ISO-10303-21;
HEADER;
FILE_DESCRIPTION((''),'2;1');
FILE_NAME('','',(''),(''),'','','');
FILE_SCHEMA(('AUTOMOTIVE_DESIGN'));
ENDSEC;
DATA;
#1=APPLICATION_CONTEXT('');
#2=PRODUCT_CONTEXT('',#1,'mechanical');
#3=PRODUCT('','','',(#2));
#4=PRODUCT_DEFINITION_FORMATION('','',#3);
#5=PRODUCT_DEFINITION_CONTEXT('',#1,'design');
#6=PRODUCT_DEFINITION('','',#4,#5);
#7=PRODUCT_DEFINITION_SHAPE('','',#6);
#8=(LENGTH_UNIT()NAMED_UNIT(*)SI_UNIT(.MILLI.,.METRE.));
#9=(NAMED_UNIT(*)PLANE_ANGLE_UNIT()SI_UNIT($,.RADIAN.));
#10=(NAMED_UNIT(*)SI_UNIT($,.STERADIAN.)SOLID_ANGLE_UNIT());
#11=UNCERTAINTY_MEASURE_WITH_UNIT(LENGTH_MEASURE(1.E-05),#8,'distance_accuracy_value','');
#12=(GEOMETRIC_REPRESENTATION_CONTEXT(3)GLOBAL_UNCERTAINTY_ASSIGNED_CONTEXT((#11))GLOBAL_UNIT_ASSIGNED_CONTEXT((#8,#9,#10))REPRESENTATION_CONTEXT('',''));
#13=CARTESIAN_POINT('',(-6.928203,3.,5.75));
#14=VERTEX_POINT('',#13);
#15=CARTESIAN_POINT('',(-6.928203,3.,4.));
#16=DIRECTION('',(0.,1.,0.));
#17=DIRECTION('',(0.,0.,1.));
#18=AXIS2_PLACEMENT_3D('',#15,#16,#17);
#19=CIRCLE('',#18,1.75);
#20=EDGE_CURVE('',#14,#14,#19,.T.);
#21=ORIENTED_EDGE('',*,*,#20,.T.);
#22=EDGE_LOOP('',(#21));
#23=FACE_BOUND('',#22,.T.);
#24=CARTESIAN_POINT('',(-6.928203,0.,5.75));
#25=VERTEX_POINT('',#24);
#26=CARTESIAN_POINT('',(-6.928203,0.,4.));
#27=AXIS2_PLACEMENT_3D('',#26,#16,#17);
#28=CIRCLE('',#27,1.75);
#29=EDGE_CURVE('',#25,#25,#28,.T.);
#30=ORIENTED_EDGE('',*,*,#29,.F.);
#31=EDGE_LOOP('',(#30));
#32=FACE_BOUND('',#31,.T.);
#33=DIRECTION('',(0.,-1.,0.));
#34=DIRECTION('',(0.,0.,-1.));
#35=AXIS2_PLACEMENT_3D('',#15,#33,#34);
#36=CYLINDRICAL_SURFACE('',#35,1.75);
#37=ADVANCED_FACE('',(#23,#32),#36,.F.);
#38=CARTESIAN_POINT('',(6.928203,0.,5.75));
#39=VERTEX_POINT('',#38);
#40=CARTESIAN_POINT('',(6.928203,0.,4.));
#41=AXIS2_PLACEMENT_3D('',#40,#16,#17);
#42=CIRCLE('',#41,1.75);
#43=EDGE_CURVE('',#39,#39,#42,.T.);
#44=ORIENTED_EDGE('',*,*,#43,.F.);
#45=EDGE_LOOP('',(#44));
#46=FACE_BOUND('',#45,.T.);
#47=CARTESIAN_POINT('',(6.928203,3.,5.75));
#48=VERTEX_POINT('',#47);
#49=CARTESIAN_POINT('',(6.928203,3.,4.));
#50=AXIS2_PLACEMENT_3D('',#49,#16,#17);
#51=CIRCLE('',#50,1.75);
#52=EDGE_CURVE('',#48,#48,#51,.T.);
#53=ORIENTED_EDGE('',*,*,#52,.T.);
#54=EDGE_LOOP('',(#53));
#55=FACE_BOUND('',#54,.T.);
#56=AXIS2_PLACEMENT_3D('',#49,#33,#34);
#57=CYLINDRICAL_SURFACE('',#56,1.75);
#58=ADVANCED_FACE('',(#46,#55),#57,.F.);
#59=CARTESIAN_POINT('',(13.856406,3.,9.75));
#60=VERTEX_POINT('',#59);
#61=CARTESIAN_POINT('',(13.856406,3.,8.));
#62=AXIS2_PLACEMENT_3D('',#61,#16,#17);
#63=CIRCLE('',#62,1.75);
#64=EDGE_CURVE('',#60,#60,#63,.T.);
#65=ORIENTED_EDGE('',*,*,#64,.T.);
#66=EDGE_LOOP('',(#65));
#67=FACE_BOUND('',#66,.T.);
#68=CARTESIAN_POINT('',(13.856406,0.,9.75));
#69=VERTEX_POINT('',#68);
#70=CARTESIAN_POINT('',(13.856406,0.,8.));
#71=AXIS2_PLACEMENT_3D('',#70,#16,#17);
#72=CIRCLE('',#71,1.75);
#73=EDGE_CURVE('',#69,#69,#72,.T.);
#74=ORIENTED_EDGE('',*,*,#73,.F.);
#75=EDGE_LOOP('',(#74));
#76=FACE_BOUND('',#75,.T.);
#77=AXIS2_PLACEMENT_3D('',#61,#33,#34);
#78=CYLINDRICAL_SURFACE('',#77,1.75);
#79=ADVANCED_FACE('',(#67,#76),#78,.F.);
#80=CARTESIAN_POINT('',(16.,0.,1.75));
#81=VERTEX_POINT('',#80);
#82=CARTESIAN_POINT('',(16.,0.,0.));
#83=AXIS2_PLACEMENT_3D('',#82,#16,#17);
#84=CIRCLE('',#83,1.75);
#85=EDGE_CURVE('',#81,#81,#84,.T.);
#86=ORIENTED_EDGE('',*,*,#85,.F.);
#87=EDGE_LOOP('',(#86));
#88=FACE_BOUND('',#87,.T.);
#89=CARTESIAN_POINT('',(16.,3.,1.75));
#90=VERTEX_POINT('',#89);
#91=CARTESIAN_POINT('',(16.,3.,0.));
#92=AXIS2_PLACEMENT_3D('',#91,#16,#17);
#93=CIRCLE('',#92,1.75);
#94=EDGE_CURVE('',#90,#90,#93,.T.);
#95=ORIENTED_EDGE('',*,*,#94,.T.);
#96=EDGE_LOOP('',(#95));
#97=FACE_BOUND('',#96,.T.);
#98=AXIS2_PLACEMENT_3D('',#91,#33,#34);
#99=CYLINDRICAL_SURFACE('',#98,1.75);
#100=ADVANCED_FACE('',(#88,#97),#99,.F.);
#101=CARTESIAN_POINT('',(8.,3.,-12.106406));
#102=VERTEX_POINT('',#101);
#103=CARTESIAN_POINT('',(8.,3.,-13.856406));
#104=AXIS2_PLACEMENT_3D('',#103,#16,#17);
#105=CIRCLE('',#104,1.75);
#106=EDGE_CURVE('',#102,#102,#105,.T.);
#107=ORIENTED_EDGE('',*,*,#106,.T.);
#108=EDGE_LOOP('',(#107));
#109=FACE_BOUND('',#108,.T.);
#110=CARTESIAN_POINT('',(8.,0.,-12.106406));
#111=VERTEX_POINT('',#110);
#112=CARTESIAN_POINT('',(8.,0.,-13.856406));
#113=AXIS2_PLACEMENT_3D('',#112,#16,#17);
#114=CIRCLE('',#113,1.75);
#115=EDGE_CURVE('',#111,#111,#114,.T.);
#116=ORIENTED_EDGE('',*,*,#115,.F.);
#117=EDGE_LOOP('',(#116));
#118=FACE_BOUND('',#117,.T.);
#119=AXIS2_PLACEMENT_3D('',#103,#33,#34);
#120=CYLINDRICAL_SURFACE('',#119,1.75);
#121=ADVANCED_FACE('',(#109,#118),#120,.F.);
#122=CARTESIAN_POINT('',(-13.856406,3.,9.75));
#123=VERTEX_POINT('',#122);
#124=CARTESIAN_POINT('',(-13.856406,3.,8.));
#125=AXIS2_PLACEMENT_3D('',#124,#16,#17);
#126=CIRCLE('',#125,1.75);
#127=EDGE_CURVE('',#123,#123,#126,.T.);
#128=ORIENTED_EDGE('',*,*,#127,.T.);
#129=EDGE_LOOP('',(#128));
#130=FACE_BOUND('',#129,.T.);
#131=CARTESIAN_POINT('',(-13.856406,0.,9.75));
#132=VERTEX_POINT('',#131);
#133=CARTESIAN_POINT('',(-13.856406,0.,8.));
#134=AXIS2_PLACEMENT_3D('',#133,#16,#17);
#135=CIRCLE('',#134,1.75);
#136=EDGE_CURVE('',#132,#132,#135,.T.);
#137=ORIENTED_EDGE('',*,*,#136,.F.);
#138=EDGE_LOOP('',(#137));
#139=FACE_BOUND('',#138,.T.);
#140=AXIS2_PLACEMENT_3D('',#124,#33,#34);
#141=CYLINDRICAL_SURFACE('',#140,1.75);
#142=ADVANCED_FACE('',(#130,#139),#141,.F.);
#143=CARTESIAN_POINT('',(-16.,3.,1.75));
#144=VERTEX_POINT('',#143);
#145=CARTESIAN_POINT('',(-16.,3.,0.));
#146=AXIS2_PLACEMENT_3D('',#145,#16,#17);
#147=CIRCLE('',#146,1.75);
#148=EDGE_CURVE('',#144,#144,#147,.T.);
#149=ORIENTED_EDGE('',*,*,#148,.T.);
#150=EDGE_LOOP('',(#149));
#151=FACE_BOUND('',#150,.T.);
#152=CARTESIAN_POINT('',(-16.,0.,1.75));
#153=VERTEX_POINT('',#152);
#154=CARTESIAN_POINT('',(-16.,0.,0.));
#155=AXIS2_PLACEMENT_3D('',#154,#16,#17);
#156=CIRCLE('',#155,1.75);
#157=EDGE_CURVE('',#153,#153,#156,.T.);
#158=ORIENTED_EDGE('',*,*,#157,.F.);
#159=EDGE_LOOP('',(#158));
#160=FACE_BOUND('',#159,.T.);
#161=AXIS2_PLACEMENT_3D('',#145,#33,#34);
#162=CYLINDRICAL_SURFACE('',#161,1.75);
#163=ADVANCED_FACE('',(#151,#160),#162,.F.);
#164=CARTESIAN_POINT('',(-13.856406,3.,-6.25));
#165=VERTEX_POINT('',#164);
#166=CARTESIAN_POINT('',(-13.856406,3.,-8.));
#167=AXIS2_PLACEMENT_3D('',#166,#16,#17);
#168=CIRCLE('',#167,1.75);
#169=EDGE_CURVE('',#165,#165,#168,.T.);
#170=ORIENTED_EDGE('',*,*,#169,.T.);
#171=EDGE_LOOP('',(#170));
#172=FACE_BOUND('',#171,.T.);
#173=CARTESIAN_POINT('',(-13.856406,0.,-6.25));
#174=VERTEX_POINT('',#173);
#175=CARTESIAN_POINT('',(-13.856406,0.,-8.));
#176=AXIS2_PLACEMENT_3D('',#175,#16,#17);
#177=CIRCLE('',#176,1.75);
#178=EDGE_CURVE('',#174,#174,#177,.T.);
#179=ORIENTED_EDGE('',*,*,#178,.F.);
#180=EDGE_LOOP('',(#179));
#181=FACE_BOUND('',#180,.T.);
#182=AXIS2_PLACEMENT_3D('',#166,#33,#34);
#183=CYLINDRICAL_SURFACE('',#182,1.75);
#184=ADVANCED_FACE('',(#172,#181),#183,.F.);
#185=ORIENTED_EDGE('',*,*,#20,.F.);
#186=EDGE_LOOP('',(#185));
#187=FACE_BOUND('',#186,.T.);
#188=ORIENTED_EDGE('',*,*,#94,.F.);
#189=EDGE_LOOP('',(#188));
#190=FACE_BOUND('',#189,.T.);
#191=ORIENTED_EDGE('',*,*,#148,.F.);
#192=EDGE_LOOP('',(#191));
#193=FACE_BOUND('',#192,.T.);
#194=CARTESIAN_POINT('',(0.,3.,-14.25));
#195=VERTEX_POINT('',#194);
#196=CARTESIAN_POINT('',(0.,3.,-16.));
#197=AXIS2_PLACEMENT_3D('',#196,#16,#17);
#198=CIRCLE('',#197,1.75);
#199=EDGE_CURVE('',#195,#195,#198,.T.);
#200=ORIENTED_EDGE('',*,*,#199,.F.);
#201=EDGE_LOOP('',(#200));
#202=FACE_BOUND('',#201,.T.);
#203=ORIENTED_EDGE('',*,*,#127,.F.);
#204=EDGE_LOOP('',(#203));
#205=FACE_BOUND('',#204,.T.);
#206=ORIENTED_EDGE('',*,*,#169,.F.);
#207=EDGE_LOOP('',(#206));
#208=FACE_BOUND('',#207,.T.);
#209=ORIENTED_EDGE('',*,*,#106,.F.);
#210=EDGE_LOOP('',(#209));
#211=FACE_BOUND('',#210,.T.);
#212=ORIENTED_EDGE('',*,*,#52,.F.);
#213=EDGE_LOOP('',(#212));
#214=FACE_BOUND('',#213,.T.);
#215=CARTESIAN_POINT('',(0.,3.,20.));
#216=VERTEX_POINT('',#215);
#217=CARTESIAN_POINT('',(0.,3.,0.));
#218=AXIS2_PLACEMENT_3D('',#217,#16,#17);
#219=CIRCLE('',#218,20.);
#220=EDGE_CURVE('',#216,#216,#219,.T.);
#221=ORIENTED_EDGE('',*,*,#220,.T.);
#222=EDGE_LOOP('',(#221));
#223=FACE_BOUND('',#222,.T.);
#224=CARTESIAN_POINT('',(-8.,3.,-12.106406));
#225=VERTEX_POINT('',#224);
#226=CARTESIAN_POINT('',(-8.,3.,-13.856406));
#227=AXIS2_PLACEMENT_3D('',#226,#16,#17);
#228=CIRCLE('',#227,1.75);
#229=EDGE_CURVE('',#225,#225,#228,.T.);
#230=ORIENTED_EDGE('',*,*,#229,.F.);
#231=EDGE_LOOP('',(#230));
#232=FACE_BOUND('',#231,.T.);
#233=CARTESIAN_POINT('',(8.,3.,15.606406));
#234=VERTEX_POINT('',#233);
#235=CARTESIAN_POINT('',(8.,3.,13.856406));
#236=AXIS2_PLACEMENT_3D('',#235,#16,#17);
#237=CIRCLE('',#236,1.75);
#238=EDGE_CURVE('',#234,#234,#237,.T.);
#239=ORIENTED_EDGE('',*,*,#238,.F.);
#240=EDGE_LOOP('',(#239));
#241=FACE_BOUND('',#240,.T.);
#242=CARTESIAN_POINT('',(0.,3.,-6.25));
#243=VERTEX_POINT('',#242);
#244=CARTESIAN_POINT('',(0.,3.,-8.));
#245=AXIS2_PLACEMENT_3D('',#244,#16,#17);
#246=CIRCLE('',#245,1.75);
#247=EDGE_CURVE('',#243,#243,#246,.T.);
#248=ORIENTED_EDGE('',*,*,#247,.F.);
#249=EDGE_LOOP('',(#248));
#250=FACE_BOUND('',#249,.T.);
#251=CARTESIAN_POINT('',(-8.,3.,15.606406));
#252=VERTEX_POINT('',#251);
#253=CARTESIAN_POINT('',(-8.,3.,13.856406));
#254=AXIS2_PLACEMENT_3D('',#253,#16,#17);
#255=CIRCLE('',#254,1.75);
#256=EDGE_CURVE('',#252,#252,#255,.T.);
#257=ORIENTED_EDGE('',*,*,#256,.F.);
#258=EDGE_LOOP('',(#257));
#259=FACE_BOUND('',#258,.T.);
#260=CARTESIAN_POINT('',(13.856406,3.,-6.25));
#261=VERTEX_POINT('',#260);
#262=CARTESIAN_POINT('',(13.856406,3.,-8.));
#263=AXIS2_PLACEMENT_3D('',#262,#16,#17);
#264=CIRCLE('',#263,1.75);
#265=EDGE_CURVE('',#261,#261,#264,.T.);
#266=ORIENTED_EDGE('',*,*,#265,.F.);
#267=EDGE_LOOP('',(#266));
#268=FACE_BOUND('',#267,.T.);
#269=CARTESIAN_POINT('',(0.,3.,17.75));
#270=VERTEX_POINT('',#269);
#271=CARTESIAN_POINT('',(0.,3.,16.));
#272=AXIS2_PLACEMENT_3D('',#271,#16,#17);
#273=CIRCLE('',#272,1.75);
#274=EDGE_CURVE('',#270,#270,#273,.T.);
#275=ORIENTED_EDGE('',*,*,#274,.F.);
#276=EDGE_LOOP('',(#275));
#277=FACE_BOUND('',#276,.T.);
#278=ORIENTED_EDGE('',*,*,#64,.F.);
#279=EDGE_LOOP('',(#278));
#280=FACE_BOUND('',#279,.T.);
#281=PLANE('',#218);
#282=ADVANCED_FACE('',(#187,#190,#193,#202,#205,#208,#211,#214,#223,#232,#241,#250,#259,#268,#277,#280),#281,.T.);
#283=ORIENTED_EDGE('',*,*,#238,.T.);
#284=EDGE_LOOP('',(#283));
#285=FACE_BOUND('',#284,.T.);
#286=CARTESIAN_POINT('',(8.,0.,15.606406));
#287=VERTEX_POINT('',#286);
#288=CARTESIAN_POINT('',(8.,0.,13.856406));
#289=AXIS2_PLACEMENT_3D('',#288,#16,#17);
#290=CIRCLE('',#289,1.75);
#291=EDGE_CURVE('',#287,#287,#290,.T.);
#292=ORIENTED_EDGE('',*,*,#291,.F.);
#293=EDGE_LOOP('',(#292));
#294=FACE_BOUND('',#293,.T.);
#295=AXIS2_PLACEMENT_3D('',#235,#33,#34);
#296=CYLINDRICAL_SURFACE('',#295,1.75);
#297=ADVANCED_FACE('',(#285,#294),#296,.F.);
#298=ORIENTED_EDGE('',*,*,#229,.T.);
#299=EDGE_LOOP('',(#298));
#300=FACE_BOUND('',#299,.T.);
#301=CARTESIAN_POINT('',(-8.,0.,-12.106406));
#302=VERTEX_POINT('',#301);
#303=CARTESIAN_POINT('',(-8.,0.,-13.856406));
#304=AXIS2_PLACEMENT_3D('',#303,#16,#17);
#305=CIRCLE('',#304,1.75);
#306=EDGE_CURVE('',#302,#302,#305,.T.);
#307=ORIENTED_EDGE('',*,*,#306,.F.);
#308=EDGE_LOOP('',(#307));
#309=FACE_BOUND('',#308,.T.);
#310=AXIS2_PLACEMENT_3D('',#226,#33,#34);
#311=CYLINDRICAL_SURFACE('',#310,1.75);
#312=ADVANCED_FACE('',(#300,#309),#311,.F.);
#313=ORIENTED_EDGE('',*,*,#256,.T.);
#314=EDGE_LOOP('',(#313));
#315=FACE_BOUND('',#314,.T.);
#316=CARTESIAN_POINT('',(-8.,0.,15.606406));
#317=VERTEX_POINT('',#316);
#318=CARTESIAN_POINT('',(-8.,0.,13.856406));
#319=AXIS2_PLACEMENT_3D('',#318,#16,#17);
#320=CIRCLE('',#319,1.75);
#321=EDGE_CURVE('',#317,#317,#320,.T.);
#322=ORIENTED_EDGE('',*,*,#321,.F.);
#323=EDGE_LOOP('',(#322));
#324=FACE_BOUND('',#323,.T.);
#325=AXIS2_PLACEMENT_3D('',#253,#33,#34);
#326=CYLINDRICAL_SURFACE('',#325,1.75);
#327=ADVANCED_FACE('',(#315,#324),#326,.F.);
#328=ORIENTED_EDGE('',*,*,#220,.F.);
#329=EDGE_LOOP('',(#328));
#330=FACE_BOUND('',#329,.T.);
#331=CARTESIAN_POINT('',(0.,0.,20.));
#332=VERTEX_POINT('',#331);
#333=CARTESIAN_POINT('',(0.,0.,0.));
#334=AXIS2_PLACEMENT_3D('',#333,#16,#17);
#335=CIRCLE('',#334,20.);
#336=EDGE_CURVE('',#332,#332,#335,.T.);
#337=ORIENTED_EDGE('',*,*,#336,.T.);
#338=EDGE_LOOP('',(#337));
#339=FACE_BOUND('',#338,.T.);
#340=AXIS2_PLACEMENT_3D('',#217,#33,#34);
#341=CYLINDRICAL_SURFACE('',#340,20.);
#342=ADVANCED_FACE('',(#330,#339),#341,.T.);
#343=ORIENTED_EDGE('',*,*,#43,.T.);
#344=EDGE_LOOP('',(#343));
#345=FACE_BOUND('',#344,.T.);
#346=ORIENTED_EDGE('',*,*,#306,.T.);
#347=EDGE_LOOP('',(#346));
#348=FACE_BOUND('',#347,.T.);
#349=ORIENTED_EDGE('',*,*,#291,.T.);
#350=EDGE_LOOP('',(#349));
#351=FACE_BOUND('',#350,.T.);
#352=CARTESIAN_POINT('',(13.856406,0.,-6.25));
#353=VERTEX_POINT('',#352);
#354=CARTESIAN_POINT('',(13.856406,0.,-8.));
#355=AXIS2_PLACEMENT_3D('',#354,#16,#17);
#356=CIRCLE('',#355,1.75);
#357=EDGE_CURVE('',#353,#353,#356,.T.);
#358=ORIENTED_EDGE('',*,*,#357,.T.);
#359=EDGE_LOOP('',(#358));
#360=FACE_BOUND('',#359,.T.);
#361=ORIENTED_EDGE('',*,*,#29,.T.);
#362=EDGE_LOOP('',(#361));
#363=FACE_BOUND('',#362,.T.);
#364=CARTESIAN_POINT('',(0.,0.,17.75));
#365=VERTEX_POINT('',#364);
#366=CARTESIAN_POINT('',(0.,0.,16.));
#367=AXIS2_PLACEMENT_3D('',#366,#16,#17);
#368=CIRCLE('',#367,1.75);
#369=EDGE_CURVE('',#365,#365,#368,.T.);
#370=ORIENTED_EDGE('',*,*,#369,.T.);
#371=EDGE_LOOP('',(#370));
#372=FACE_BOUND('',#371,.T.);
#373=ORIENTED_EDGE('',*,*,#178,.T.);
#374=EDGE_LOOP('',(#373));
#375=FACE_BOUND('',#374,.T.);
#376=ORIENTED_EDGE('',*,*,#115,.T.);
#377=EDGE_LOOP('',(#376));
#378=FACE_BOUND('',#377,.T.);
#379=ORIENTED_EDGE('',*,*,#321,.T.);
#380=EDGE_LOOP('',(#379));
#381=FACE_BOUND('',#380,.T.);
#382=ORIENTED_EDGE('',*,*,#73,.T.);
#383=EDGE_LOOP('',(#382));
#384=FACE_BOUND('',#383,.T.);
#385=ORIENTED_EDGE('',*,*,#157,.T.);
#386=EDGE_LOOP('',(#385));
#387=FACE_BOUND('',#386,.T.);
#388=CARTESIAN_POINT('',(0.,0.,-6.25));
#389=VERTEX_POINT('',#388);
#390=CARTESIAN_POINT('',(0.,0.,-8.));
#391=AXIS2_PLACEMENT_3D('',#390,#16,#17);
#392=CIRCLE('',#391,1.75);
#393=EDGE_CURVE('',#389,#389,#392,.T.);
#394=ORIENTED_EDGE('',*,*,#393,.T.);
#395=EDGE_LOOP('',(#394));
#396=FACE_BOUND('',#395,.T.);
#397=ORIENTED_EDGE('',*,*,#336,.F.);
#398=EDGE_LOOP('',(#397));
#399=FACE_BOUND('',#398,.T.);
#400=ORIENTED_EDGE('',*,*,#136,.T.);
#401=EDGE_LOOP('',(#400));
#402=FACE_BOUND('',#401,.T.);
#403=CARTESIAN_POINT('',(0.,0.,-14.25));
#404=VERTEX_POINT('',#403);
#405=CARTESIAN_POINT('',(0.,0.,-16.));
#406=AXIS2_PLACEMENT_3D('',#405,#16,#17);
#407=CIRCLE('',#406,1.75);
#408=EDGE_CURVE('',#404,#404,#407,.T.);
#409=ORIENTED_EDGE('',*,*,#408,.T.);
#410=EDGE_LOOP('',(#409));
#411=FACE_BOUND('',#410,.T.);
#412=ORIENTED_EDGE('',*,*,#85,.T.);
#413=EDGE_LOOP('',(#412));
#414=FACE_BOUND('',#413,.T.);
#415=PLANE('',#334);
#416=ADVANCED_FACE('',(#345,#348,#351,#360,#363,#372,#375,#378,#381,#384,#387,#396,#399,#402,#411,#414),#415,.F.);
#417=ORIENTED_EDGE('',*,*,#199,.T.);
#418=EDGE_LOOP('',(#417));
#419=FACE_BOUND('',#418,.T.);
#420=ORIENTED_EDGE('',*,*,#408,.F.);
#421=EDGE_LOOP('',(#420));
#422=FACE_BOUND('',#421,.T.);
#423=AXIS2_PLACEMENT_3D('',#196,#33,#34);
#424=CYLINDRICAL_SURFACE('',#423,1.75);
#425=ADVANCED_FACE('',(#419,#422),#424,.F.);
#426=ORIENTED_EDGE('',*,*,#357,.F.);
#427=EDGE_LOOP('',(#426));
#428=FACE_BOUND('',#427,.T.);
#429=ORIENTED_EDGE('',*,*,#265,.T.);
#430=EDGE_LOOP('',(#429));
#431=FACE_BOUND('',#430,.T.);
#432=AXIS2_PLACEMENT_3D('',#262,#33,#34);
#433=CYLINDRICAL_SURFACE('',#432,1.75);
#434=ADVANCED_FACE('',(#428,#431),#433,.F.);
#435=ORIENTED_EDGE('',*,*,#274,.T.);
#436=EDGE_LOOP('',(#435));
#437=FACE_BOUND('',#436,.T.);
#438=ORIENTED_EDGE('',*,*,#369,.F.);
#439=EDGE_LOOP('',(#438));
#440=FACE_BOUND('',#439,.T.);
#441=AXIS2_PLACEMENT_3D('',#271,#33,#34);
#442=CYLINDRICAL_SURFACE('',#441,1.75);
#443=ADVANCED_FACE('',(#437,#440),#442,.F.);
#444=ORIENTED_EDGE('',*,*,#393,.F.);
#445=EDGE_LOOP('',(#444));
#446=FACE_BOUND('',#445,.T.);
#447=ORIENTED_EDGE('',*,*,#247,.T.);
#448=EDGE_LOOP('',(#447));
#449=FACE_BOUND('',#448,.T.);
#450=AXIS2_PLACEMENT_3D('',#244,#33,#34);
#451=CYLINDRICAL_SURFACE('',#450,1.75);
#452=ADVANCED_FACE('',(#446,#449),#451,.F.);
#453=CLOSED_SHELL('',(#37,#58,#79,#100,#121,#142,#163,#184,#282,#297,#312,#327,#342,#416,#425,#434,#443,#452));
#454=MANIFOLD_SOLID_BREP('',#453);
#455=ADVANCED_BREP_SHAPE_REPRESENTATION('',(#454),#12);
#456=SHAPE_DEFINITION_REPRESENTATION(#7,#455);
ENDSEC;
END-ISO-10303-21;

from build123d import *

# Parameters (mm, degrees)
ESBO_O1_R                = 20
ESBO_O1_R_2              = 1.75
RESSALTO_EXTRUS_O1_DEPTH = 3


with BuildPart() as part:
    # Esboço1 → Ressalto-extrusão1 (new body)
    with BuildSketch(Plane(origin=(0, 0, 0), x_dir=(1, 0, 0), z_dir=(0, 1, 0))):
        with Locations(Location((0, 0, 0), (0, 0, 270))):
            Circle(ESBO_O1_R)
        with Locations(Location((-8, 13.856406461, 0), (0, 0, 270))):
            Circle(ESBO_O1_R_2, mode=Mode.SUBTRACT)
        with Locations(Location((-13.856406461, 8, 0), (0, 0, 270))):
            Circle(ESBO_O1_R_2, mode=Mode.SUBTRACT)
        with Locations(Location((-16, 0, 0), (0, 0, 270))):
            Circle(ESBO_O1_R_2, mode=Mode.SUBTRACT)
        with Locations(Location((-13.856406461, -8, 0), (0, 0, 270))):
            Circle(ESBO_O1_R_2, mode=Mode.SUBTRACT)
        with Locations(Location((-8, -13.856406461, 0), (0, 0, 270))):
            Circle(ESBO_O1_R_2, mode=Mode.SUBTRACT)
        with Locations(Location((8, -13.856406461, 0), (0, 0, 270))):
            Circle(ESBO_O1_R_2, mode=Mode.SUBTRACT)
        with Locations(Location((0, -16, 0), (0, 0, 270))):
            Circle(ESBO_O1_R_2, mode=Mode.SUBTRACT)
        with Locations(Location((13.856406461, -8, 0), (0, 0, 270))):
            Circle(ESBO_O1_R_2, mode=Mode.SUBTRACT)
        with Locations(Location((16, 0, 0), (0, 0, 270))):
            Circle(ESBO_O1_R_2, mode=Mode.SUBTRACT)
        with Locations(Location((13.856406461, 8, 0), (0, 0, 270))):
            Circle(ESBO_O1_R_2, mode=Mode.SUBTRACT)
        with Locations(Location((8, 13.856406461, 0), (0, 0, 270))):
            Circle(ESBO_O1_R_2, mode=Mode.SUBTRACT)
        with Locations(Location((0, 16, 0), (0, 0, 270))):
            Circle(ESBO_O1_R_2, mode=Mode.SUBTRACT)
        with Locations(Location((0, 8, 0), (0, 0, 270))):
            Circle(ESBO_O1_R_2, mode=Mode.SUBTRACT)
        with Locations(Location((-6.92820323, -4, 0), (0, 0, 270))):
            Circle(ESBO_O1_R_2, mode=Mode.SUBTRACT)
        with Locations(Location((6.92820323, -4, 0), (0, 0, 270))):
            Circle(ESBO_O1_R_2, mode=Mode.SUBTRACT)
    extrude(amount=RESSALTO_EXTRUS_O1_DEPTH)


solid = part.part
